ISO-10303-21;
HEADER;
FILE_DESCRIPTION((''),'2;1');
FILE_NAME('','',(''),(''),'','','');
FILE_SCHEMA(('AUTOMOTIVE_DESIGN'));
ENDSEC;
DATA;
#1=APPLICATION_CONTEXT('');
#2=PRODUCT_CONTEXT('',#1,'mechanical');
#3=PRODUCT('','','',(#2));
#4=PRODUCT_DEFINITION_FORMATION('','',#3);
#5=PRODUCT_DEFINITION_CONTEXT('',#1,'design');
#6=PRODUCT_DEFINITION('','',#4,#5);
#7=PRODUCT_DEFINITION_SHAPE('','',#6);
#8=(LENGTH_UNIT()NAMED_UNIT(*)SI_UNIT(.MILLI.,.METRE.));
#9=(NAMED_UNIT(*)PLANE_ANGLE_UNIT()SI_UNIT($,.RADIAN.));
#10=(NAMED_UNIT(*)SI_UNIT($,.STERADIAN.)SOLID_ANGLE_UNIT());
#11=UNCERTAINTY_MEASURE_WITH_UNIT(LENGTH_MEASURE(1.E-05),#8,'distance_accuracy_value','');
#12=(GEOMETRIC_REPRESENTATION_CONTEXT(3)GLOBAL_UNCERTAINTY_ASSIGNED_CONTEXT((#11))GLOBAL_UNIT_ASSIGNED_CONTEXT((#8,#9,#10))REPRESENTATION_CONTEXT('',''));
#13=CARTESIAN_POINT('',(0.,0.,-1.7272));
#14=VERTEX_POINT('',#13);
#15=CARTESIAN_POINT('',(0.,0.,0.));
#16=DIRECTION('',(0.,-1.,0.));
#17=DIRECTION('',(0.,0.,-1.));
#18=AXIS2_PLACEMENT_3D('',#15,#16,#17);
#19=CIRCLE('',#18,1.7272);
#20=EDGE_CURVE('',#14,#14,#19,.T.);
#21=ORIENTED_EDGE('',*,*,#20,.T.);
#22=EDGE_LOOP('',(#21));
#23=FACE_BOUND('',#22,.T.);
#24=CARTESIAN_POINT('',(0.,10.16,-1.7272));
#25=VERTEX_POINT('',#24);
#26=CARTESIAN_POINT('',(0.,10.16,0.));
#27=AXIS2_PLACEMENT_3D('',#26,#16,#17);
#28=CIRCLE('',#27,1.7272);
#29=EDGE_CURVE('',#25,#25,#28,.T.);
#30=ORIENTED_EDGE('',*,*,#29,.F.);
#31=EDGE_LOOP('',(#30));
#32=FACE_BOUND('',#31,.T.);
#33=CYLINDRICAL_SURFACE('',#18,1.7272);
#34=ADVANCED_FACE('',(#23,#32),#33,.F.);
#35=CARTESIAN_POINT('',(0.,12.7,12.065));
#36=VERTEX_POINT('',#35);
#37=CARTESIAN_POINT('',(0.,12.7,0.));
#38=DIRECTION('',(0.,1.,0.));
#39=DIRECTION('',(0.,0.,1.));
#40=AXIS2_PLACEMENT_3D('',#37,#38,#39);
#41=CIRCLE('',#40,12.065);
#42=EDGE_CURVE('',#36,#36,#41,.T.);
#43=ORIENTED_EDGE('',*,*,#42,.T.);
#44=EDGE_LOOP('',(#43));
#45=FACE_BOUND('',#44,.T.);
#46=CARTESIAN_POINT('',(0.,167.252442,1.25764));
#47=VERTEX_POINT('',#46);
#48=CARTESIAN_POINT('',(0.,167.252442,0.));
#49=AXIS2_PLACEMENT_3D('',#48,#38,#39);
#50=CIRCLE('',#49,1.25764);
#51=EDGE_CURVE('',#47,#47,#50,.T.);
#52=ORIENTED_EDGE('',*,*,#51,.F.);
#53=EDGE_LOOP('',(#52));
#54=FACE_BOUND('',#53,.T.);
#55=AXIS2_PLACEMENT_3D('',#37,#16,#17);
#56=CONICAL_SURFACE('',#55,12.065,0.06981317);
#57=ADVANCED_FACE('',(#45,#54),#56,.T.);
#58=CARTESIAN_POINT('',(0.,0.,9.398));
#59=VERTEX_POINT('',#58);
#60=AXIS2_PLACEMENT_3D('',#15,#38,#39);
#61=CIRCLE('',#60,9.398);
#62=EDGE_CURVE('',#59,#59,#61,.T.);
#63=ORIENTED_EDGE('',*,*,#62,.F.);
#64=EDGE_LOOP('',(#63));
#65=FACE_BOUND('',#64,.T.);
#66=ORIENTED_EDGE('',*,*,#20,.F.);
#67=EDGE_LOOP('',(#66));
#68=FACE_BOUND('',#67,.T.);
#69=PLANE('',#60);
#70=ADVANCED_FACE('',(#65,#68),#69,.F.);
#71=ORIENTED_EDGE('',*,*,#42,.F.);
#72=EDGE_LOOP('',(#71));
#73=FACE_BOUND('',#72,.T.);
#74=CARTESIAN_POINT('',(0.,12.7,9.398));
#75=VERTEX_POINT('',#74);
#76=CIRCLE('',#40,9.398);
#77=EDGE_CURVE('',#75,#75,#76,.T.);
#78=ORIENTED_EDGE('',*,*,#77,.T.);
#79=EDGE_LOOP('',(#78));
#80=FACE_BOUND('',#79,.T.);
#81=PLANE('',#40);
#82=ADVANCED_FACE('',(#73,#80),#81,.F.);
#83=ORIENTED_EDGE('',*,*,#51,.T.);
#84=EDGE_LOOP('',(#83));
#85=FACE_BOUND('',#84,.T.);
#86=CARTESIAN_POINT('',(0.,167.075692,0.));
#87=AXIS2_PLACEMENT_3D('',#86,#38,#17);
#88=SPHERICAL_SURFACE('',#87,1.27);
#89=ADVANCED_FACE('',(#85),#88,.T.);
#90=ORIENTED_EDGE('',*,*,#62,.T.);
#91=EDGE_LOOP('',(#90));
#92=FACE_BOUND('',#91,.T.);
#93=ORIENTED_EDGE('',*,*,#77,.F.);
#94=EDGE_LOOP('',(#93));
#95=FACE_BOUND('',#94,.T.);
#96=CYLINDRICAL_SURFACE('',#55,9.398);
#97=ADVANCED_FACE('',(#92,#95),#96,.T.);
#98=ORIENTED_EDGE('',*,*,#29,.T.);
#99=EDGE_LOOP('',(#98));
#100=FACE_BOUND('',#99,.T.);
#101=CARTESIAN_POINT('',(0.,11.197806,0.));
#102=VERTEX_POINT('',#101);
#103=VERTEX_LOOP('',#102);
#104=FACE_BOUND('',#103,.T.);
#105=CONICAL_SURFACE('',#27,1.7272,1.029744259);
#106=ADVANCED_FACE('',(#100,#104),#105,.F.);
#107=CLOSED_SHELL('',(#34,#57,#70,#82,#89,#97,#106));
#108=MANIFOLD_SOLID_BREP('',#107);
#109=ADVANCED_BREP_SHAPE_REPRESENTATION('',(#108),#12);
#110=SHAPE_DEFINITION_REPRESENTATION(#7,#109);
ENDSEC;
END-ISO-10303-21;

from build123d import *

# Parameters (mm, degrees)
SKETCH1_R                     = 9.398
BOSS_EXTRUDE1_DEPTH           = 12.7
TAP_DRILL_FOR_8_32_TAP1_D     = 3.4544
TAP_DRILL_FOR_8_32_TAP1_DEPTH = 10.16
TAP_DRILL_FOR_8_32_TAP1_TIP   = 1.037806461


with BuildPart() as part:
    # Sketch1 → Boss-Extrude1 (new body)
    with BuildSketch(Plane(origin=(0, 0, 0), x_dir=(1, 0, 0), z_dir=(0, 1, 0))):
        Circle(SKETCH1_R)
    extrude(amount=BOSS_EXTRUDE1_DEPTH)

    # Sketch3 → Revolve1 (revolve)
    with BuildSketch(Plane(origin=(0, 0, 0), x_dir=(0, 0, -1), z_dir=(1, 0, 0))):
        with BuildLine():
            Line((0, 12.7), (12.065, 12.7))
            Line((12.065, 12.7), (1.27, 167.075692241))
            Line((1.27, 167.075692241), (1.257640447, 167.252442079))
            ThreePointArc((1.257640447, 167.252442079), (0.833194967, 168.034173408), (0, 168.345692241))
            Line((0, 168.345692241), (0, 12.7))
        make_face()
    revolve(axis=Axis((0, 185.237538387, 0), (0, -1, 0)))

    # Tap Drill for #8-32 Tap1
    with Locations(Plane(origin=(0, 0, 0), x_dir=(-1, 0, 0), z_dir=(0, -1, 0))):
        with Locations((0, 0)):
            Hole(TAP_DRILL_FOR_8_32_TAP1_D / 2, depth=TAP_DRILL_FOR_8_32_TAP1_DEPTH)
            with Locations((0, 0, -(TAP_DRILL_FOR_8_32_TAP1_DEPTH + TAP_DRILL_FOR_8_32_TAP1_TIP / 2))):  # 118° drill point
                Cone(0, TAP_DRILL_FOR_8_32_TAP1_D / 2, TAP_DRILL_FOR_8_32_TAP1_TIP, mode=Mode.SUBTRACT)


solid = part.part
